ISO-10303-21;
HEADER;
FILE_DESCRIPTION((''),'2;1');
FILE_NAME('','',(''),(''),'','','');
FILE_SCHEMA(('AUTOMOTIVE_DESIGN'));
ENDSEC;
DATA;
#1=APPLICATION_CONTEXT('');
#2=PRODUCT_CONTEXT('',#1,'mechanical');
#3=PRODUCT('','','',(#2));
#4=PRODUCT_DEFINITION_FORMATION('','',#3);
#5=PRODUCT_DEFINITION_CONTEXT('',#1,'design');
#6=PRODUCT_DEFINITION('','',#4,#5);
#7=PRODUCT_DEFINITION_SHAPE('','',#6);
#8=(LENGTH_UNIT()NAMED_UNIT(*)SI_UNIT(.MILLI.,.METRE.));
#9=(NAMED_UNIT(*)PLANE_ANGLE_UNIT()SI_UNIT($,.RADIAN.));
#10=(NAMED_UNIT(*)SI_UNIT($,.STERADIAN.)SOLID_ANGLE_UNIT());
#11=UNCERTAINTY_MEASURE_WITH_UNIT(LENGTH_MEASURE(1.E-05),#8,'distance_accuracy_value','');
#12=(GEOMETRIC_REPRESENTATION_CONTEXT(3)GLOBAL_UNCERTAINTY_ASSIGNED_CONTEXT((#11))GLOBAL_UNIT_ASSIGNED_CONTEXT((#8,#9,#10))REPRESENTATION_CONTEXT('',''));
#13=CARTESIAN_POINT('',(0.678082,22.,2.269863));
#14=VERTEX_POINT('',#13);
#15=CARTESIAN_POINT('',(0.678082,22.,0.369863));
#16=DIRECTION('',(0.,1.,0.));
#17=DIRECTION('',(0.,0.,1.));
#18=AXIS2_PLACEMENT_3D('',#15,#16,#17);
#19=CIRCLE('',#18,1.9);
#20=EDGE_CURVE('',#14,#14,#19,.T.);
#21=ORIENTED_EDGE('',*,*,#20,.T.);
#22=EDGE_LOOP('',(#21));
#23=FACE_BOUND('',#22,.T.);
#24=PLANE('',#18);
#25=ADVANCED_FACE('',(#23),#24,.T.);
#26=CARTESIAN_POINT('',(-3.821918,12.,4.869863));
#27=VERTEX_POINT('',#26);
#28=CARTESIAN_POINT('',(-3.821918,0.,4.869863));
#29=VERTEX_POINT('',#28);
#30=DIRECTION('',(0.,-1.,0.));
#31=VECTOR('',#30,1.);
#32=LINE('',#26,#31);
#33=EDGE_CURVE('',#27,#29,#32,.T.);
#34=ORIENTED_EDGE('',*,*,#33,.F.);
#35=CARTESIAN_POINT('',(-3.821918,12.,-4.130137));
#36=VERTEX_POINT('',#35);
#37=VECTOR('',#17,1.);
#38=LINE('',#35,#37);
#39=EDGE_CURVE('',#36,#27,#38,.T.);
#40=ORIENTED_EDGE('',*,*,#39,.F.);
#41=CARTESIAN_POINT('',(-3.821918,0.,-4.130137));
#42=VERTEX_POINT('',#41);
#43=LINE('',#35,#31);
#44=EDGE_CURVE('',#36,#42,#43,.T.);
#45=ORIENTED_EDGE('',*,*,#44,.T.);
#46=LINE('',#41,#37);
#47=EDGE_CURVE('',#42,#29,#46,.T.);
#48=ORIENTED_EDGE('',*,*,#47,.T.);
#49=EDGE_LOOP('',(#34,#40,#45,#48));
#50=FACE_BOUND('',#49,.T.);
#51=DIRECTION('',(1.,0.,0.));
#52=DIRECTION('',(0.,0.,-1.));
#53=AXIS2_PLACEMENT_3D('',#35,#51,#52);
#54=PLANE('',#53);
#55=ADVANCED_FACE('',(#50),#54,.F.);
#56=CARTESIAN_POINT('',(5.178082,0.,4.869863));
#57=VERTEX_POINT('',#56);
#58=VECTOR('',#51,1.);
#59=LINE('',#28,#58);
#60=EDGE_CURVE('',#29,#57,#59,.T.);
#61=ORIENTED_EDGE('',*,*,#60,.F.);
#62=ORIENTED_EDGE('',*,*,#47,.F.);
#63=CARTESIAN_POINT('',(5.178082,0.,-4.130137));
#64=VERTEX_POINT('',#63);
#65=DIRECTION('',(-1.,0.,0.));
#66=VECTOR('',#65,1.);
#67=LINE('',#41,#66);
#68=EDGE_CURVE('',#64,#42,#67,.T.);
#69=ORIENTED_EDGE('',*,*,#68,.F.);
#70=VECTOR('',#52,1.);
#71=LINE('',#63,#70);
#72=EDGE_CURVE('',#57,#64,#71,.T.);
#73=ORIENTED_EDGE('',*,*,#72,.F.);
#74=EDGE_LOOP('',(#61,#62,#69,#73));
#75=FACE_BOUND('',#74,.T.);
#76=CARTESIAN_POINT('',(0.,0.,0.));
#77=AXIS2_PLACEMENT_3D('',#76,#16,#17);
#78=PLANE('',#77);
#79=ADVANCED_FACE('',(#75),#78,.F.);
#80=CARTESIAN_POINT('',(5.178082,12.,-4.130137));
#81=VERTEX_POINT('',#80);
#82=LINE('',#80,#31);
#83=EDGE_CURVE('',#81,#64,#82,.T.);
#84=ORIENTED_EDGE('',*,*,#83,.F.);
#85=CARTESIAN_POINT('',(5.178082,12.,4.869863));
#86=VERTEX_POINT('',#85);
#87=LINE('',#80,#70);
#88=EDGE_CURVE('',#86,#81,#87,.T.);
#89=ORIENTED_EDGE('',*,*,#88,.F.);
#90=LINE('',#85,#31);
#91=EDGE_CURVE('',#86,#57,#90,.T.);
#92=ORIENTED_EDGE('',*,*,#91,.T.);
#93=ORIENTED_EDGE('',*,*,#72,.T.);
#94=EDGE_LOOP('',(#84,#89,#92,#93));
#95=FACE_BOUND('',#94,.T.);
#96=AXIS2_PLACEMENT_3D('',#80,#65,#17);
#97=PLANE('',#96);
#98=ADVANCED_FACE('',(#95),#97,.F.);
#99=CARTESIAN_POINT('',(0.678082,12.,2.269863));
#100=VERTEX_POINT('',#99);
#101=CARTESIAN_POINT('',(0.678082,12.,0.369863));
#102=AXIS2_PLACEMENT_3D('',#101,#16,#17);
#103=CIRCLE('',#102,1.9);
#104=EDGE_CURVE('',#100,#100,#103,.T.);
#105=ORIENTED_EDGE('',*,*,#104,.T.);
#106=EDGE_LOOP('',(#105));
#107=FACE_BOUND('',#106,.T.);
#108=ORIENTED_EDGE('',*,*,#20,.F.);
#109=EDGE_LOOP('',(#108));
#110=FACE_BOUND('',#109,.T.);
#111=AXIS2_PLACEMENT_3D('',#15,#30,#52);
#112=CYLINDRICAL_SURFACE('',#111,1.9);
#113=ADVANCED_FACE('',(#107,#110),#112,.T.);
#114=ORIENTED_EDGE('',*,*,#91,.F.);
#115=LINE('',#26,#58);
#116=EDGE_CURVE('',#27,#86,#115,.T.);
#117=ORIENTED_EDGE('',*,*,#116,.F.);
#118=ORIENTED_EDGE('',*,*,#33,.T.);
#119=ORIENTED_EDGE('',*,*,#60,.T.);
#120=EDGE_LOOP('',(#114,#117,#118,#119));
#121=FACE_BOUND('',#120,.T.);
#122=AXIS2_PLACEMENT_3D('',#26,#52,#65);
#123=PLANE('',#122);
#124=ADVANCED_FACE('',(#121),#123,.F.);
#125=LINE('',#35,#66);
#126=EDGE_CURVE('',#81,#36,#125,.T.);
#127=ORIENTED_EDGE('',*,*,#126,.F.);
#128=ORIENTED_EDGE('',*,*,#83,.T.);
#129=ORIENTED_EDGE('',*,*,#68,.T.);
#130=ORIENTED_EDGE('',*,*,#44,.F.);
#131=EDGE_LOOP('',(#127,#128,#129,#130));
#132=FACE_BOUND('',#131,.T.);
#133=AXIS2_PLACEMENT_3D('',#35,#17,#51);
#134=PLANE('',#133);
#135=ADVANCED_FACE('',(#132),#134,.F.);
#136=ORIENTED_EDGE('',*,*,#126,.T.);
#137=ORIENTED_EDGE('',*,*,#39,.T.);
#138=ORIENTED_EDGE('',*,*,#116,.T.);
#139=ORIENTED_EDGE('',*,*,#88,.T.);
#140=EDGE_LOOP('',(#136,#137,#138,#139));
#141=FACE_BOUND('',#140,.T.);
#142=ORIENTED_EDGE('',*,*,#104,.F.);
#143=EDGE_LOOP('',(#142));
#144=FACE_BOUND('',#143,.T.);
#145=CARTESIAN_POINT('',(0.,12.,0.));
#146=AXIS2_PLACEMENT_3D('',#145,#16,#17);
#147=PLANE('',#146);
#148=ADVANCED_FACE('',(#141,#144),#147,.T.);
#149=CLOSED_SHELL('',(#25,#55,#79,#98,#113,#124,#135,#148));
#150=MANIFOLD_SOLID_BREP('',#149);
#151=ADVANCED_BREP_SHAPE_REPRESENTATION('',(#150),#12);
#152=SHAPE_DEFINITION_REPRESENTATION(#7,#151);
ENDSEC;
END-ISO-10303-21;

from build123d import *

# Parameters (mm, degrees)
SKETCH_1_W      = 9
SKETCH_1_H      = 9
EXTRUDE_1_DEPTH = 12
SKETCH_2_R      = 1.9
EXTRUDE_2_DEPTH = 10


with BuildPart() as part:
    # 草图1 → 凸台-拉伸1 (new body)
    with BuildSketch(Plane(origin=(0, 0, 0), x_dir=(1, 0, 0), z_dir=(0, 1, 0))):
        with Locations((0.678082192, -0.369863014)):
            Rectangle(SKETCH_1_W, SKETCH_1_H)
    extrude(amount=EXTRUDE_1_DEPTH)

    # 草图2 → 凸台-拉伸2 (add)
    with BuildSketch(Plane(origin=(0, 12, 0), x_dir=(1, 0, 0), z_dir=(0, 1, 0))):
        with Locations(Location((0.678082192, -0.369863014, 0), (0, 0, 270))):
            Circle(SKETCH_2_R)
    extrude(amount=EXTRUDE_2_DEPTH)


solid = part.part
